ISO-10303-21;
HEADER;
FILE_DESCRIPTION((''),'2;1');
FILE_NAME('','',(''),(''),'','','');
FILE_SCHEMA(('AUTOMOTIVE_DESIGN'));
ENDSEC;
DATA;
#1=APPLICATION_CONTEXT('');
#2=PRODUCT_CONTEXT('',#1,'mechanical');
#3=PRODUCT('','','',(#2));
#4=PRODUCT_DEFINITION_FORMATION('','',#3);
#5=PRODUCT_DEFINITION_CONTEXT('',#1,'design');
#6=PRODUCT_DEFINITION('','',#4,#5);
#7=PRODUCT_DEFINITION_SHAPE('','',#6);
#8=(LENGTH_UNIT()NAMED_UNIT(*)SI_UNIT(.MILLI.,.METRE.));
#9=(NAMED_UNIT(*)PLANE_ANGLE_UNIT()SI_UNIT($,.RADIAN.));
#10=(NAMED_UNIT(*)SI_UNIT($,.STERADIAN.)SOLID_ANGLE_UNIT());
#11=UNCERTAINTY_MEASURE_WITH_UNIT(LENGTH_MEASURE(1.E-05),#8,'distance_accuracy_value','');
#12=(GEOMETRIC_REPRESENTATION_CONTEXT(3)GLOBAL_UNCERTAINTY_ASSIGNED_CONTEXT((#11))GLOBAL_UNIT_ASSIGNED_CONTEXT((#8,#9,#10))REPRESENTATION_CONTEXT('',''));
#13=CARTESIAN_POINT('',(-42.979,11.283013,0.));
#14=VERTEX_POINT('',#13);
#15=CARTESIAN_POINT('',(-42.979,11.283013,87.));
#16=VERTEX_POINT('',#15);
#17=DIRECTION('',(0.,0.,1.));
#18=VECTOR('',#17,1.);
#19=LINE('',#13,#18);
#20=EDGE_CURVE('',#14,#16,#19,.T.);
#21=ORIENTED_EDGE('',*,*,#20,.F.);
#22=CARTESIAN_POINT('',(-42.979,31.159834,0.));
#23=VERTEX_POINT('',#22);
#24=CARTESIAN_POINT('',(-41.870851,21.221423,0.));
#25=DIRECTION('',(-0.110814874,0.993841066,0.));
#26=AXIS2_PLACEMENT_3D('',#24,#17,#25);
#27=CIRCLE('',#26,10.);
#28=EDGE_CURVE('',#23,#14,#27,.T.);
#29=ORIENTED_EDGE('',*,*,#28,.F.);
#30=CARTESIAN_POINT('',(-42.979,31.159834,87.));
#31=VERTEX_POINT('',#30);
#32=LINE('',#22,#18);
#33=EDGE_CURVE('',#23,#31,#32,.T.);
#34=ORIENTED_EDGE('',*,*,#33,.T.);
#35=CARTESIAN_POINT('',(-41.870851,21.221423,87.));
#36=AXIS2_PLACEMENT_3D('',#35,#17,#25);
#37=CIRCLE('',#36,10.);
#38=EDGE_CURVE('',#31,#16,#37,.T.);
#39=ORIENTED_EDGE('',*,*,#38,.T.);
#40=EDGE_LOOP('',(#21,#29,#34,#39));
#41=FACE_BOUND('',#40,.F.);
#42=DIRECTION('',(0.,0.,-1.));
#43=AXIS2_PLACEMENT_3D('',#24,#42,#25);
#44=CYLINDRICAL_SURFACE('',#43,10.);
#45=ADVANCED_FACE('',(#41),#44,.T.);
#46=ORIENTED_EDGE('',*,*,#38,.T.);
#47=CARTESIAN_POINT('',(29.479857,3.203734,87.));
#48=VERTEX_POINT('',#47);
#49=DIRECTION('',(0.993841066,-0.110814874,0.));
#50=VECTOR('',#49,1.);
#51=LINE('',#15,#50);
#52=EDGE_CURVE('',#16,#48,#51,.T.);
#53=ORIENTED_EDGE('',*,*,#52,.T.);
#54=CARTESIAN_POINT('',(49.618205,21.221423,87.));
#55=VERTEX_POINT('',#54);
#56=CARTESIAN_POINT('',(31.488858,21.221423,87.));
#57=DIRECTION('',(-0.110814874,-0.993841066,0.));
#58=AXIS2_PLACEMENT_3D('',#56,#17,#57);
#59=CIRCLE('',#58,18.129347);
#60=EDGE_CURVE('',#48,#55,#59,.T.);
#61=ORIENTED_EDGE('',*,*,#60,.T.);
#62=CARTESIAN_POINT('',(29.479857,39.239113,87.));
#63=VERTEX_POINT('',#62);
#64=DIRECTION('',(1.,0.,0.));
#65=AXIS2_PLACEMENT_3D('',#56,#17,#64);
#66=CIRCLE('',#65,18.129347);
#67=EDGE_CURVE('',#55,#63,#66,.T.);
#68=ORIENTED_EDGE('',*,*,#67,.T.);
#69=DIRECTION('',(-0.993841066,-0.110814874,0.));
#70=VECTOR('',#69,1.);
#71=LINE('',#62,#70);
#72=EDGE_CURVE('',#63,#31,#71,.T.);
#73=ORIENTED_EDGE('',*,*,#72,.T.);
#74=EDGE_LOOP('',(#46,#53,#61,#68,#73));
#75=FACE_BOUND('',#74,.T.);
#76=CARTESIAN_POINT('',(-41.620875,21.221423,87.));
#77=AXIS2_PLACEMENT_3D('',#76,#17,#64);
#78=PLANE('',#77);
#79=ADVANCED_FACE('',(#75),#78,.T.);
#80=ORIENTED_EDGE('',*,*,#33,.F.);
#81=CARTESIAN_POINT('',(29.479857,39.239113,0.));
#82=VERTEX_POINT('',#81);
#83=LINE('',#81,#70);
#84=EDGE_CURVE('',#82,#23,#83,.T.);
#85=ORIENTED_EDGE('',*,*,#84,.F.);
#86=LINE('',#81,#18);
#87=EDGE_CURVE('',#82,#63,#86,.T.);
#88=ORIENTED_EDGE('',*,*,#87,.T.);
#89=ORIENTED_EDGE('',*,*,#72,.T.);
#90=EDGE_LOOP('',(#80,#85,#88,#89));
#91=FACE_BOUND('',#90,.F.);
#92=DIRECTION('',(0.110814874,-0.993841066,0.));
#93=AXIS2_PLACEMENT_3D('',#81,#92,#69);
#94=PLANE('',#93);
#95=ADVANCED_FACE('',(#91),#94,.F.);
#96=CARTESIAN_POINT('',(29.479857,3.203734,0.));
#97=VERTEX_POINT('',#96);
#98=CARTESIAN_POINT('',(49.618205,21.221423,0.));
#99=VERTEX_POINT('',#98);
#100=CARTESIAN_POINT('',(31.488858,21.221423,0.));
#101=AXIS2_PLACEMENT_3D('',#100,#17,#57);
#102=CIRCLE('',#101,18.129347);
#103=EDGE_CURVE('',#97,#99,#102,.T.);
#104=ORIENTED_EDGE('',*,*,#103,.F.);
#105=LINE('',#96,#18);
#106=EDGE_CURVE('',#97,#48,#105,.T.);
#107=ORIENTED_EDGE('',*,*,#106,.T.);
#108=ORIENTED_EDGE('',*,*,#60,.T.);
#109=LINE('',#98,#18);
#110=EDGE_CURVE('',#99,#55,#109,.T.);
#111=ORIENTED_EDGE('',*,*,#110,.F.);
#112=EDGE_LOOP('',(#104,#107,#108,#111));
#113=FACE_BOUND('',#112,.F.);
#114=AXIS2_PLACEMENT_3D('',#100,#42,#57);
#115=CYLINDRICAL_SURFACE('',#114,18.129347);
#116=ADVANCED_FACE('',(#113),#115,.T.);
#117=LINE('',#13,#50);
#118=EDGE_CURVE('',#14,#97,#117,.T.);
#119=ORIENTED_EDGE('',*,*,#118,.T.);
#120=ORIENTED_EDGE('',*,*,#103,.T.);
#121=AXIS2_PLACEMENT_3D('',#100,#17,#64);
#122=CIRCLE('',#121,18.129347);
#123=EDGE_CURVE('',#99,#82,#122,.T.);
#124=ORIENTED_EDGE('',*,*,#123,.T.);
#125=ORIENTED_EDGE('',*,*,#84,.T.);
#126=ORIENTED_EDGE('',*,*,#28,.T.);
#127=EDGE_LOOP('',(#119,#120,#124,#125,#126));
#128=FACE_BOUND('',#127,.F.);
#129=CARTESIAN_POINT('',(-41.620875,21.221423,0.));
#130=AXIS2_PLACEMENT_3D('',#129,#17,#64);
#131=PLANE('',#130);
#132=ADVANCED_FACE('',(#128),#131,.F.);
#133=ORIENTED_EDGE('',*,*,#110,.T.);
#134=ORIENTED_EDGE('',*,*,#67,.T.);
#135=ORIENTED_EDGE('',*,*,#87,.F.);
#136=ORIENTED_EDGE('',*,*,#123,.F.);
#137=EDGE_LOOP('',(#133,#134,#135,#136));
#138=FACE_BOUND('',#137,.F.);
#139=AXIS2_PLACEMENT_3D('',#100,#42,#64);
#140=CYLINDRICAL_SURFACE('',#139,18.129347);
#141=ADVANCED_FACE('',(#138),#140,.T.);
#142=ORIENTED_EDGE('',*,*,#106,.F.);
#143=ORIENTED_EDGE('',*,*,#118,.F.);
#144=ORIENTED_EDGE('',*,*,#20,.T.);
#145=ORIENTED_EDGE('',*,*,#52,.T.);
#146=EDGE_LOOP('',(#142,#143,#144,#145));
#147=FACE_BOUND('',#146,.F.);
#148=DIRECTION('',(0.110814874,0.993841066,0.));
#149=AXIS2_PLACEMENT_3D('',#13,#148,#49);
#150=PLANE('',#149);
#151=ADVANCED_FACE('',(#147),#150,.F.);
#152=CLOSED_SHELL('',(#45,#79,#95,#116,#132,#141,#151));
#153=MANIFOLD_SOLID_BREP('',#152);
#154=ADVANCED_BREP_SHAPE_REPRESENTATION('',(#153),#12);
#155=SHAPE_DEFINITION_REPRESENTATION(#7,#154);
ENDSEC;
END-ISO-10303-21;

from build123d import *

# Parameters (mm, degrees)
F2_DEPTH = 87


with BuildPart() as f2:
    # F0 (on Top) → F2 (new body)
    with BuildSketch(Plane.XY):
        with BuildLine():
            ThreePointArc((-42.9789998064, 11.2830127345), (-35.2030736039, 13.768857142), (-31.8708510677, 21.2214233908))
            ThreePointArc((-31.8708510677, 21.2214233908), (-35.2030736039, 28.6739896397), (-42.9789998064, 31.1598340471))
            ThreePointArc((-42.9789998064, 31.1598340471), (-51.8708510677, 21.2214233908), (-42.9789998064, 11.2830127345))
        make_face()
        with BuildLine():
            ThreePointArc((-42.9789998064, 31.1598340471), (-35.2030736039, 28.6739896397), (-31.8708510677, 21.2214233908))
            ThreePointArc((-31.8708510677, 21.2214233908), (-35.2030736039, 13.768857142), (-42.9789998064, 11.2830127345))
            Line((-42.9789998064, 11.2830127345), (29.4798568705, 3.2037339233))
            ThreePointArc((29.4798568705, 3.2037339233), (13.3595112379, 21.2214233908), (29.4798568705, 39.2391128583))
            Line((29.4798568705, 39.2391128583), (-42.9789998064, 31.1598340471))
        make_face()
        with BuildLine():
            ThreePointArc((49.6182050888, 21.2214233908), (43.5771032496, 34.7324392918), (29.4798568705, 39.2391128583))
            ThreePointArc((29.4798568705, 39.2391128583), (13.3595112379, 21.2214233908), (29.4798568705, 3.2037339233))
            ThreePointArc((29.4798568705, 3.2037339233), (43.5771032496, 7.7104074898), (49.6182050888, 21.2214233908))
        make_face()
    extrude(amount=F2_DEPTH)


solid = f2.part
